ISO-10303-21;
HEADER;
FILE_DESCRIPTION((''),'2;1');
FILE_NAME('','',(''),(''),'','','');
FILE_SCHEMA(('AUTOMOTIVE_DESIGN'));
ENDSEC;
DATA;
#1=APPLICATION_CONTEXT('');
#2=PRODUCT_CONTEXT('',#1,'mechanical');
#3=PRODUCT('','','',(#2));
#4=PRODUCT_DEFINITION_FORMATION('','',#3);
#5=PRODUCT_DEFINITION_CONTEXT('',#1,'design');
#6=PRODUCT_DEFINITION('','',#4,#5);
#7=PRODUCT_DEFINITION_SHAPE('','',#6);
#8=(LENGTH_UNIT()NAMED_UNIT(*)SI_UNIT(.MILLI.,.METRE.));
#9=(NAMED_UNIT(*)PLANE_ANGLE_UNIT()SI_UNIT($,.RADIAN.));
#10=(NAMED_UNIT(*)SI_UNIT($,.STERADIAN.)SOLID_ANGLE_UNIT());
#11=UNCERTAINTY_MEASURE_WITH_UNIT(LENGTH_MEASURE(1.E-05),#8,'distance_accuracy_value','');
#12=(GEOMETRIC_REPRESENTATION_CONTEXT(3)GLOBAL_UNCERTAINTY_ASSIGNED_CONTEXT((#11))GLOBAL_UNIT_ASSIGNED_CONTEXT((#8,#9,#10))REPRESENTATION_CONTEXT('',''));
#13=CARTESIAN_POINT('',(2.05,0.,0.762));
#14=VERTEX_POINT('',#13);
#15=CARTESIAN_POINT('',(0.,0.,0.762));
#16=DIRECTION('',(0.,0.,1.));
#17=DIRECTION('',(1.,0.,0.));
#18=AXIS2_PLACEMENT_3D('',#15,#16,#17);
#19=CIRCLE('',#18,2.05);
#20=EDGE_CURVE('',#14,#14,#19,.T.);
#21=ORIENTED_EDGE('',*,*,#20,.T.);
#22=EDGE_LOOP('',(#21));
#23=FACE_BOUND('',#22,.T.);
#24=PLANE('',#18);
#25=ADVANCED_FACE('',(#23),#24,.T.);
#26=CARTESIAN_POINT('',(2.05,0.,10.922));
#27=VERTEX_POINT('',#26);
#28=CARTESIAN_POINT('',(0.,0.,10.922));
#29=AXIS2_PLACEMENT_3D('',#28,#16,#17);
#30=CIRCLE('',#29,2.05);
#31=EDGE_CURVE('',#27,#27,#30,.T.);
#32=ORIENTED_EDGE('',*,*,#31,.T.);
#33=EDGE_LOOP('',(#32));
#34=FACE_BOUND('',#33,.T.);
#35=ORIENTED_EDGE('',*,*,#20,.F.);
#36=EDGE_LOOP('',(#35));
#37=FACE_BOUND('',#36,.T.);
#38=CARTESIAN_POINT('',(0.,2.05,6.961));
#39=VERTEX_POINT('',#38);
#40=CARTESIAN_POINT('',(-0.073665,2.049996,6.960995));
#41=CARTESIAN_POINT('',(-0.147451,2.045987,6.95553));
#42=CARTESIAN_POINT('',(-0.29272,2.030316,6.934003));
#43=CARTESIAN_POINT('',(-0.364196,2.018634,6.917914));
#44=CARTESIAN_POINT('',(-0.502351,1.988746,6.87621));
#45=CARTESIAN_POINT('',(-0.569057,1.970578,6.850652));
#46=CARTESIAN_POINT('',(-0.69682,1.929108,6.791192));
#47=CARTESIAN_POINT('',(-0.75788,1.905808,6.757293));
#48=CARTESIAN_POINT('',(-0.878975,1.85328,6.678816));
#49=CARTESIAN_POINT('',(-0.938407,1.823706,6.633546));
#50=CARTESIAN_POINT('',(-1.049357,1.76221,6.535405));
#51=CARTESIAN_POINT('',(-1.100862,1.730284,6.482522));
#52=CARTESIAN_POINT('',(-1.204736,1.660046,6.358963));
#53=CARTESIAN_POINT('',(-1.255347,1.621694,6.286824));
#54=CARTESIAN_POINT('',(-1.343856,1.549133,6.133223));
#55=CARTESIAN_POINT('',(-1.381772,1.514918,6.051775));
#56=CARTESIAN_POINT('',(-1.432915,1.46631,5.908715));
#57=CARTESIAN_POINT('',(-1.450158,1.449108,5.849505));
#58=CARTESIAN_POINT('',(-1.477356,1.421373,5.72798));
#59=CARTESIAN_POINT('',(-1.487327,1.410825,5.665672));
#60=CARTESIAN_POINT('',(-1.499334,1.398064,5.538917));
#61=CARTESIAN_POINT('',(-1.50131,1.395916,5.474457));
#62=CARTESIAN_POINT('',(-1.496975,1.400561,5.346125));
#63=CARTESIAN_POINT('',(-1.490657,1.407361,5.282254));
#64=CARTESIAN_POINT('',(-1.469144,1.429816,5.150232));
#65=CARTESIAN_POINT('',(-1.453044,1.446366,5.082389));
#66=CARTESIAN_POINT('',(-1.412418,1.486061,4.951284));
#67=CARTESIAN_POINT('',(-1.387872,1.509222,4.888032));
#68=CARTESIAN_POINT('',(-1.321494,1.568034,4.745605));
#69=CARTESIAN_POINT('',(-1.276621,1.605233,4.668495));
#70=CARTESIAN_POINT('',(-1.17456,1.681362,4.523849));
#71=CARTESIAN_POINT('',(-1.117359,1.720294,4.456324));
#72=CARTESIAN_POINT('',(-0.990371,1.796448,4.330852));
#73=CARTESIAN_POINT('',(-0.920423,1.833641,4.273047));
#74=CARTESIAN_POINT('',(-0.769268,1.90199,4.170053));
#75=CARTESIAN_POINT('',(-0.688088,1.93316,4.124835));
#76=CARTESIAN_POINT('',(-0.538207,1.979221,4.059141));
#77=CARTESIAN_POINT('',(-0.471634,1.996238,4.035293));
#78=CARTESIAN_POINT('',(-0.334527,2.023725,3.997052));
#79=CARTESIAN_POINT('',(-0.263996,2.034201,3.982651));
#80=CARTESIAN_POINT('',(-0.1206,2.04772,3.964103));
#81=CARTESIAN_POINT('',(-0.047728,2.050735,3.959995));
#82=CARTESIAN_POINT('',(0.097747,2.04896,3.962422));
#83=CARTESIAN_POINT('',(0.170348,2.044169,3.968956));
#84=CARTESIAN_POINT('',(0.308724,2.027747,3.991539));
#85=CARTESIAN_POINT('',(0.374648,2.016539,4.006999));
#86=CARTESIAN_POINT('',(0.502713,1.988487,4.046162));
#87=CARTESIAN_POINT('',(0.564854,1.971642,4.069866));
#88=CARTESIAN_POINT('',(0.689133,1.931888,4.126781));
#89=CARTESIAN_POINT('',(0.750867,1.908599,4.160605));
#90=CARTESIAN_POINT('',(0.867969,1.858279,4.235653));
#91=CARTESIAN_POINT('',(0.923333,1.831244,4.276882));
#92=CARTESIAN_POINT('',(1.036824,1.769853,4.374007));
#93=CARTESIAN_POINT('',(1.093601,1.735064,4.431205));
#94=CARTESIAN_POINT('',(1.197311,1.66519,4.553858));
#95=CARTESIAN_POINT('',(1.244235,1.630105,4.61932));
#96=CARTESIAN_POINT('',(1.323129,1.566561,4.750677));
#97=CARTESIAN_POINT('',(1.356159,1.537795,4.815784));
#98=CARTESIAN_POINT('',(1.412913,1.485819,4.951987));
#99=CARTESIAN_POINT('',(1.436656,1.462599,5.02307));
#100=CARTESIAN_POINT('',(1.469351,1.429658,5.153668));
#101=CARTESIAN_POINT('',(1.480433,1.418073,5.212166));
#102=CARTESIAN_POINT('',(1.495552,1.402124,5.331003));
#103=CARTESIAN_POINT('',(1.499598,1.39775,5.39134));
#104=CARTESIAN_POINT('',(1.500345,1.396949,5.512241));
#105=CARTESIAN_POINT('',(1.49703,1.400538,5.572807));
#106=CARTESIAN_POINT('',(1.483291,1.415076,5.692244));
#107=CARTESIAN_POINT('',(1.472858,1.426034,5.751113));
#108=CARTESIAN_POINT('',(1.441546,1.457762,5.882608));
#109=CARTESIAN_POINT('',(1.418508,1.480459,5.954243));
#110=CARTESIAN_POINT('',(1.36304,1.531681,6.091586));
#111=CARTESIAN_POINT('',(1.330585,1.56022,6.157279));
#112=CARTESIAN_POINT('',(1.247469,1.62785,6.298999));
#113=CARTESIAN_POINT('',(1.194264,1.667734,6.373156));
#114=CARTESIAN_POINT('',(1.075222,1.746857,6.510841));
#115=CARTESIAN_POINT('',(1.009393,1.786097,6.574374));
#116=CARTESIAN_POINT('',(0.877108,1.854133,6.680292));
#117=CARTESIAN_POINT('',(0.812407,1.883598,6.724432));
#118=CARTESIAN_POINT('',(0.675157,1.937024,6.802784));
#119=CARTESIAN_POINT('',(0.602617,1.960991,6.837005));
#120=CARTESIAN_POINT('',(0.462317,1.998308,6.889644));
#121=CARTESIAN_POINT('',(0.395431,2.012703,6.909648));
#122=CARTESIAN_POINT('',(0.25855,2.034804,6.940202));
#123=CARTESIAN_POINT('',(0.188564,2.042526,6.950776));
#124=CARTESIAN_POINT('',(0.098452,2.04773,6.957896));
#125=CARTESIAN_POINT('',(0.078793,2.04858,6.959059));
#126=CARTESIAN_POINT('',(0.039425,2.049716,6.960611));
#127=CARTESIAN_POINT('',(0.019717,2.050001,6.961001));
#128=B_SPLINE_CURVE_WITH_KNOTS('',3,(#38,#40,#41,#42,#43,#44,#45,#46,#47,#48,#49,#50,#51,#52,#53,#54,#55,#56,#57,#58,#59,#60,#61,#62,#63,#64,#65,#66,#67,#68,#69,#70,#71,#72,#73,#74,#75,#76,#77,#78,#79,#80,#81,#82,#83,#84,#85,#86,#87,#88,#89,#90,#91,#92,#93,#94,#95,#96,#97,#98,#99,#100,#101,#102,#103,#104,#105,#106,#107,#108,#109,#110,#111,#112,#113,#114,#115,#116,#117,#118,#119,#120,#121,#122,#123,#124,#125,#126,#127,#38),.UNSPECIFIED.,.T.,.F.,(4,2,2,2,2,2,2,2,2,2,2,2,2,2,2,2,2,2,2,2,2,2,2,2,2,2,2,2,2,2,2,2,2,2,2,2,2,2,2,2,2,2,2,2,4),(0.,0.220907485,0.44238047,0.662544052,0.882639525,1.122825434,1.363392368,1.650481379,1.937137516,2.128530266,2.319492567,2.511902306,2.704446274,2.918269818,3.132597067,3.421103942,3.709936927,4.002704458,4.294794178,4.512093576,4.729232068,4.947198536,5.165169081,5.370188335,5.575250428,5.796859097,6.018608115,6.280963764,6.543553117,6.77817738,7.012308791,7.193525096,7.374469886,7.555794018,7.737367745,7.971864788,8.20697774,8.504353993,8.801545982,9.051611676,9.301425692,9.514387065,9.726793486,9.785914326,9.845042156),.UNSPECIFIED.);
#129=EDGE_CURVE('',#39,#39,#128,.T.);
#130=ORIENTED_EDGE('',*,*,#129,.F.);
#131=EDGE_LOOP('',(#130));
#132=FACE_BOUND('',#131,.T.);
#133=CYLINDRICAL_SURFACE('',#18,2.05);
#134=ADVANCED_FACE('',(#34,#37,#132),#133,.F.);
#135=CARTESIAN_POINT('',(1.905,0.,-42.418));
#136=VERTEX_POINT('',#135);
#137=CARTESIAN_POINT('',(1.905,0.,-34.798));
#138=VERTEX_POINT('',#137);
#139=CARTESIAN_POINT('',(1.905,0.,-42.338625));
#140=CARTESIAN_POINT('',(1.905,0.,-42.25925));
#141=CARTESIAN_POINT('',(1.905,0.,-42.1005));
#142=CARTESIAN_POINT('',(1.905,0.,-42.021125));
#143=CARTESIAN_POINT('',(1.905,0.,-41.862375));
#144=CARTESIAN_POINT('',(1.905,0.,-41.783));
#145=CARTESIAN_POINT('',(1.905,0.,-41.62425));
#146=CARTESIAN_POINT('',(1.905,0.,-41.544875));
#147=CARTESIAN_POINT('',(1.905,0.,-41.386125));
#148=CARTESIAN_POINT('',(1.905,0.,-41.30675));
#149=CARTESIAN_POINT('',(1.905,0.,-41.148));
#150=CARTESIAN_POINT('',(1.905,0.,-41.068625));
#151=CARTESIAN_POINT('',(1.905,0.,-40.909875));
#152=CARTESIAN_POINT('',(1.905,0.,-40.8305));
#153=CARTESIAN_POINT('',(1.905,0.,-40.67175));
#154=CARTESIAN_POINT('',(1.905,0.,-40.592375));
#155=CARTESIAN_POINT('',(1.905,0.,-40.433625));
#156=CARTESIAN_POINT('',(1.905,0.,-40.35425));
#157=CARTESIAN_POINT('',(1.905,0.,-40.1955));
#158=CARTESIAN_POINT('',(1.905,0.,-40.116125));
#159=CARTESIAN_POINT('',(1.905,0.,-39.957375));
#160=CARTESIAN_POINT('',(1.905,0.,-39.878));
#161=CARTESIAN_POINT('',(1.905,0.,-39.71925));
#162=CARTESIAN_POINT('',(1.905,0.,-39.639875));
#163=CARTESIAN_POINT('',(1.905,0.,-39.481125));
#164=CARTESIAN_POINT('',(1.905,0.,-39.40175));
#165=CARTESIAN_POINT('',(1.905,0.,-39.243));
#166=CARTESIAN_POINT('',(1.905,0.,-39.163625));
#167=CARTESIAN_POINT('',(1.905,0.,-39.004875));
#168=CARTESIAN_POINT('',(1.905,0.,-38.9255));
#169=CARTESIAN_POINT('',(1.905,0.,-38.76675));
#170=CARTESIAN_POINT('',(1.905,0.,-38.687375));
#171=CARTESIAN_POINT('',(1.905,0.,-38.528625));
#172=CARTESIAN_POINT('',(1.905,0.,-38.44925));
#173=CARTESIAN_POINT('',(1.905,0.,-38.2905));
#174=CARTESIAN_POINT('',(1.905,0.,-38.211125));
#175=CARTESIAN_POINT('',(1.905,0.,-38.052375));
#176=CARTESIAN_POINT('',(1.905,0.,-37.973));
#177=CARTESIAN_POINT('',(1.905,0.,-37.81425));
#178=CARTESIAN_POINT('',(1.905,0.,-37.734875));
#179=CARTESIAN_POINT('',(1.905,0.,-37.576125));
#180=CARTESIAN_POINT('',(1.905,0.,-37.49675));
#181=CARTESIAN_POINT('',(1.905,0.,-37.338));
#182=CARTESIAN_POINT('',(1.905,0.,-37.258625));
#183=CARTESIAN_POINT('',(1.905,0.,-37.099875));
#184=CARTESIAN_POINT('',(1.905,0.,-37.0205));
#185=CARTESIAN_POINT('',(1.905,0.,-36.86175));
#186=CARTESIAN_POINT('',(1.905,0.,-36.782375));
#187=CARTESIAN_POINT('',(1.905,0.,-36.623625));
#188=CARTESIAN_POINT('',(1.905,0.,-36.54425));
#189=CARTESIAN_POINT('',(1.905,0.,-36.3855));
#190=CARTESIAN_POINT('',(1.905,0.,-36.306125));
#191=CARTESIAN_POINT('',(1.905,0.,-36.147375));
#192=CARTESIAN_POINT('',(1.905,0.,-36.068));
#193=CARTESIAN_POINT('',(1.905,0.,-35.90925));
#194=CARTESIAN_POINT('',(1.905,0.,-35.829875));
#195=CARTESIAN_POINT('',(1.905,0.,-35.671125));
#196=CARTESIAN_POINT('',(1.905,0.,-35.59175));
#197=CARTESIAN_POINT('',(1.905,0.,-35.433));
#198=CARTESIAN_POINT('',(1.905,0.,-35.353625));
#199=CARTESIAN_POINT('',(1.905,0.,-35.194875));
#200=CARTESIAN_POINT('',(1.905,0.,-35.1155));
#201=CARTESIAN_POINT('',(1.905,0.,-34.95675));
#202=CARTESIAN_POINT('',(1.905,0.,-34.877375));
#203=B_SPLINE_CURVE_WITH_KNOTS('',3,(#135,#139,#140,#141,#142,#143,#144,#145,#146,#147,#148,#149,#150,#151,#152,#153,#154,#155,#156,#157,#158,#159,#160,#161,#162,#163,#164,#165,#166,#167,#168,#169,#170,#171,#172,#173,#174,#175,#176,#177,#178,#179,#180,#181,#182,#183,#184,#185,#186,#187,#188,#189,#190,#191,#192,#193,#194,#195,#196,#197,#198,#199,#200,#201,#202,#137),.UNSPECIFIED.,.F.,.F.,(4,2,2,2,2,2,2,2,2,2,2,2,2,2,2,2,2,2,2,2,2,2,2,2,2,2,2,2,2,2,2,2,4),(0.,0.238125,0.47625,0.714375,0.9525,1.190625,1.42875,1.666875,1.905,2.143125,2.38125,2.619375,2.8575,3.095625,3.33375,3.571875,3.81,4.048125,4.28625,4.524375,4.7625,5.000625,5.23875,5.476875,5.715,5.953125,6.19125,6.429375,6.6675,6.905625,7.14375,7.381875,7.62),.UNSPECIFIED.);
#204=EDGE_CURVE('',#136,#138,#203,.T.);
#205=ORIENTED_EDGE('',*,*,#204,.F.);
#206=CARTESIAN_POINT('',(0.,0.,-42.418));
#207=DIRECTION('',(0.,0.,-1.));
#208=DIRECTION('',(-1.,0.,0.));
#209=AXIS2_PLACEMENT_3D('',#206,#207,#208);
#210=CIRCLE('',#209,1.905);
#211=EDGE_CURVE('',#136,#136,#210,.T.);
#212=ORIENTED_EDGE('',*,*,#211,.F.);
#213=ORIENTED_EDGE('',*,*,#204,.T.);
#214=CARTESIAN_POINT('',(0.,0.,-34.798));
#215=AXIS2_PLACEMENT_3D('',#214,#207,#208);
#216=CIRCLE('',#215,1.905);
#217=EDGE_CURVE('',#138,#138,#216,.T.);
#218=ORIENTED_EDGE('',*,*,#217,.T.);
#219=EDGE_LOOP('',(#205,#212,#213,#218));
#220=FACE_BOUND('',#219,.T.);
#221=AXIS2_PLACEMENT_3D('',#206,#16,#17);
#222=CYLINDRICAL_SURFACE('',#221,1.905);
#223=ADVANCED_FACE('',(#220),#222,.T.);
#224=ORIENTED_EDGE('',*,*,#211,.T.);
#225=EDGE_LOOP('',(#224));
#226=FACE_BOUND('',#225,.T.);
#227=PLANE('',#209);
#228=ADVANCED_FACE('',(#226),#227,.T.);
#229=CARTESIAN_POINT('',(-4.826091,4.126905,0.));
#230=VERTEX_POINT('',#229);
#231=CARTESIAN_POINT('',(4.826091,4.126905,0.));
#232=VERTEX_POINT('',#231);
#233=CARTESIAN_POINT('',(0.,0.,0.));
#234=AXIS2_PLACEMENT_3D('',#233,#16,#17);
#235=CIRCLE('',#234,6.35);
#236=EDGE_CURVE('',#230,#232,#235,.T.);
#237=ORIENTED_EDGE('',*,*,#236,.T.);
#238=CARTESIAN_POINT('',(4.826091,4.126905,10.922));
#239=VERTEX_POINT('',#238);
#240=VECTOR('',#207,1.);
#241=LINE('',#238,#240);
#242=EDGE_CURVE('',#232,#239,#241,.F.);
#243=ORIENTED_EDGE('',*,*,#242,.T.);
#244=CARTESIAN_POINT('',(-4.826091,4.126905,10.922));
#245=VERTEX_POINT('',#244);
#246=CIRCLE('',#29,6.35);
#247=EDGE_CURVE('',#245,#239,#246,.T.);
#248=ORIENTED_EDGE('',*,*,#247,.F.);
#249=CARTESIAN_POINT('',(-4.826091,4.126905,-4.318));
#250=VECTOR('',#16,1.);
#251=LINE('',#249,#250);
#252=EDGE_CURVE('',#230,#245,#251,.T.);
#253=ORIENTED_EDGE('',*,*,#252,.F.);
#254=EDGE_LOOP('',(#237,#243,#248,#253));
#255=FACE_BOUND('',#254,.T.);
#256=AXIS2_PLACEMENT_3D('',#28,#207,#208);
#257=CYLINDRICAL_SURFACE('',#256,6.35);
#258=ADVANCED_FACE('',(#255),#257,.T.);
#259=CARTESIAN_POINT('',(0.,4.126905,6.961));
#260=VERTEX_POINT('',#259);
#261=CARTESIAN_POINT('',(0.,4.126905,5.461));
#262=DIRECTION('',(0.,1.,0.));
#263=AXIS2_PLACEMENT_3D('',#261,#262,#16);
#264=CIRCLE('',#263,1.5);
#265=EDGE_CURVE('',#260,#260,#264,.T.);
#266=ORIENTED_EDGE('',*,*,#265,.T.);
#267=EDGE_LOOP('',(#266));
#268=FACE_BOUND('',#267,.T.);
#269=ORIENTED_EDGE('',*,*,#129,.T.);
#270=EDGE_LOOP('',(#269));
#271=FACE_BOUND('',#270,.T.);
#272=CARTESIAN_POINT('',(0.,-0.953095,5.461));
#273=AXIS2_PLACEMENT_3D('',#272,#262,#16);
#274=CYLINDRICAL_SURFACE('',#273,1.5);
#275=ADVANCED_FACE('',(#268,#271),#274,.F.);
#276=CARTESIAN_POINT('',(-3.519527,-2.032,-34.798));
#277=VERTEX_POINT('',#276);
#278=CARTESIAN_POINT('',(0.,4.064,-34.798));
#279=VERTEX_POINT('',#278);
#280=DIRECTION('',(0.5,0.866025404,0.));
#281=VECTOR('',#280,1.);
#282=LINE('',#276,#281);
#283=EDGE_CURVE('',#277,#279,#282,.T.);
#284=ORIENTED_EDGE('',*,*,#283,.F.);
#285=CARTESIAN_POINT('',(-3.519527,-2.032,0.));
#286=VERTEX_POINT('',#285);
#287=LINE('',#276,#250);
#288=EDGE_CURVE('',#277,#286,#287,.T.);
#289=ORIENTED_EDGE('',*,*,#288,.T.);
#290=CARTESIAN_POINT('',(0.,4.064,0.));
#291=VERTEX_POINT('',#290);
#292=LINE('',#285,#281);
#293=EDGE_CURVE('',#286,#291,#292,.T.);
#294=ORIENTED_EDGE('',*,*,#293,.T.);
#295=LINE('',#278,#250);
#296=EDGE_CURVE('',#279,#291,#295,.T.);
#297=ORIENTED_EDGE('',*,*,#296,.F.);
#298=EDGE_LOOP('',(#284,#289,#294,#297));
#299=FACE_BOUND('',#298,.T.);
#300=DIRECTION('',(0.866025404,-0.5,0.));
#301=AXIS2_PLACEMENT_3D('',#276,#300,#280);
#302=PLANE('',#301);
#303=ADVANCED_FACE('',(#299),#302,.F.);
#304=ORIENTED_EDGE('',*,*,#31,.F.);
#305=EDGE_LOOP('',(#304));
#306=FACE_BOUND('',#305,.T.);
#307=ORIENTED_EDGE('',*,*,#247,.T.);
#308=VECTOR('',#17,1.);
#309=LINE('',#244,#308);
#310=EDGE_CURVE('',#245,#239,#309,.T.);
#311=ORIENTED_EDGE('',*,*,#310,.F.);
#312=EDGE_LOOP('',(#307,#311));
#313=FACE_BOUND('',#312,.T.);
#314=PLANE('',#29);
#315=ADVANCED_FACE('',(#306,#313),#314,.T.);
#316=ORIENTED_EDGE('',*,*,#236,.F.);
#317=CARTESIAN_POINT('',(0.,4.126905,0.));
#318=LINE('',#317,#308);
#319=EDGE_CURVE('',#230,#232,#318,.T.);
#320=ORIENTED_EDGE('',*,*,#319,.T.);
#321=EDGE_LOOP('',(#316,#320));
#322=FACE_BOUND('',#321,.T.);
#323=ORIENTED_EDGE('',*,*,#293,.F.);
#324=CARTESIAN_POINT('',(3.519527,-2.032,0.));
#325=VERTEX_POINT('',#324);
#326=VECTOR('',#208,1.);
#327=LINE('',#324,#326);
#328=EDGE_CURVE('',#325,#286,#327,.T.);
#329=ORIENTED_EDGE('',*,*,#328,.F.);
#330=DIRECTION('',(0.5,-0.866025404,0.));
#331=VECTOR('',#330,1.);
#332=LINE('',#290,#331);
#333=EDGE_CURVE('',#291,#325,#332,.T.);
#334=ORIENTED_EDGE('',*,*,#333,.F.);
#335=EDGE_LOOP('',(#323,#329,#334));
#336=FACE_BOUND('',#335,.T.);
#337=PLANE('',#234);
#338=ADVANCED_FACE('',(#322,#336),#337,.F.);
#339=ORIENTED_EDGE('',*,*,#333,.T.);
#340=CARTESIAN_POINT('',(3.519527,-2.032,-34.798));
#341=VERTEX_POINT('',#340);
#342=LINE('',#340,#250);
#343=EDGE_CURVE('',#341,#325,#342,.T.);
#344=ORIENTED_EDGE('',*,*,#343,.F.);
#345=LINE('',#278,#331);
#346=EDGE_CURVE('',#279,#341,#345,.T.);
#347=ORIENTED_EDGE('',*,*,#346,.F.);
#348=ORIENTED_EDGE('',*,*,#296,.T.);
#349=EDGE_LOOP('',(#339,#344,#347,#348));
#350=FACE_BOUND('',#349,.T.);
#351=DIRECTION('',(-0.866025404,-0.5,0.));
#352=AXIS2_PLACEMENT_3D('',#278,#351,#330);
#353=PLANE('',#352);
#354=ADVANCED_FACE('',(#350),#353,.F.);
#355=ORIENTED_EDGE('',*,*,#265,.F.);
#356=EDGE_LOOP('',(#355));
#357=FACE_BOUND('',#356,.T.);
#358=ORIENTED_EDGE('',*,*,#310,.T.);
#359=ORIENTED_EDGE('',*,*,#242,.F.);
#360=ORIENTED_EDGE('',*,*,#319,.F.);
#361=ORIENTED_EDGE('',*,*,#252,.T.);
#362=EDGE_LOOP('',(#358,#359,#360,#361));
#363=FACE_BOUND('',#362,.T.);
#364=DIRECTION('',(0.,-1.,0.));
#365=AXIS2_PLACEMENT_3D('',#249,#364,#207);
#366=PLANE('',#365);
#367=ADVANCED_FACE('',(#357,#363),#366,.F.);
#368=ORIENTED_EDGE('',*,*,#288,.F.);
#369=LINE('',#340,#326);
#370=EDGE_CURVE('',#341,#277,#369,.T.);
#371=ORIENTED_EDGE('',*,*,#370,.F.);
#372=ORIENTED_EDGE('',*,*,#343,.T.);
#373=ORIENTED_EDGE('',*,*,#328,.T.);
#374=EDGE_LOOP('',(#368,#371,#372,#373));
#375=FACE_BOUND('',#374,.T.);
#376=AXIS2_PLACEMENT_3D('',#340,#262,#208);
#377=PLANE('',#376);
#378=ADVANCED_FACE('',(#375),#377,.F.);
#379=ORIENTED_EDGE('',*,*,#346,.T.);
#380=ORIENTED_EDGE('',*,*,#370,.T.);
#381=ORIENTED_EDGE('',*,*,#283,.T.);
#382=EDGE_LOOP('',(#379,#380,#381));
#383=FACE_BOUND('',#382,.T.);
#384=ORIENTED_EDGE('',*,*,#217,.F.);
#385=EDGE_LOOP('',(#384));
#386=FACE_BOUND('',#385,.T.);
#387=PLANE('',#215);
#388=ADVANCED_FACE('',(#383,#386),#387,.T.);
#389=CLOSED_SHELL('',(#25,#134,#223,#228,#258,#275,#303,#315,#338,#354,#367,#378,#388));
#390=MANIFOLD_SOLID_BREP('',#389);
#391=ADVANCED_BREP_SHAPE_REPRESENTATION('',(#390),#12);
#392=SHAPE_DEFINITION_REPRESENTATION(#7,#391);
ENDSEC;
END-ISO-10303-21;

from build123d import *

# Parameters (mm, degrees)
SKETCH2_R           = 6.35
BOSS_EXTRUDE1_DEPTH = 10.922
SKETCH3_W           = 11.565028963
SKETCH3_H           = 5.944743938
CUT_EXTRUDE1_DEPTH  = 15.24
SKETCH4_R           = 1.5
CUT_EXTRUDE2_DEPTH  = 5.08
SKETCH6_R           = 2.05
CUT_EXTRUDE3_DEPTH  = 10.16
BOSS_EXTRUDE2_DEPTH = 34.798
SKETCH9_R           = 1.905
BOSS_EXTRUDE3_DEPTH = 7.62


with BuildPart() as part:
    # Sketch2 → Boss-Extrude1 (new body)
    with BuildSketch(Plane.XY):
        Circle(SKETCH2_R)
    extrude(amount=BOSS_EXTRUDE1_DEPTH)

    # Sketch3 → Cut-Extrude1 (cut)
    with BuildSketch(Plane.XY.offset(10.922)):
        with Locations((0.956423272, 7.099276819)):
            Rectangle(SKETCH3_W, SKETCH3_H)
    extrude(amount=-CUT_EXTRUDE1_DEPTH, mode=Mode.SUBTRACT)

    # Sketch4 → Cut-Extrude2 (cut)
    with BuildSketch(Plane(origin=(0, 4.12690485, 0), x_dir=(1, 0, 0), z_dir=(0, 1, 0))):
        with Locations(Location((0, -5.461, 0), (0, 0, 270))):
            Circle(SKETCH4_R)
    extrude(amount=-CUT_EXTRUDE2_DEPTH, mode=Mode.SUBTRACT)

    # Sketch6 → Cut-Extrude3 (cut)
    with BuildSketch(Plane.XY.offset(10.922)):
        Circle(SKETCH6_R)
    extrude(amount=-CUT_EXTRUDE3_DEPTH, mode=Mode.SUBTRACT)

    # Sketch8 → Boss-Extrude2 (add)
    with BuildSketch(Plane(origin=(0, 0, 0), x_dir=(-1, 0, 0), z_dir=(0, 0, -1))):
        Polygon((0, 4.064), (-3.519527241, -2.032), (3.519527241, -2.032), align=None)
    extrude(amount=BOSS_EXTRUDE2_DEPTH)

    # Sketch9 → Boss-Extrude3 (add)
    with BuildSketch(Plane(origin=(0, 0, -34.798), x_dir=(-1, 0, 0), z_dir=(0, 0, -1))):
        with Locations(Location((0, 0, 0), (0, 0, 180))):
            Circle(SKETCH9_R)
    extrude(amount=BOSS_EXTRUDE3_DEPTH)


solid = part.part
